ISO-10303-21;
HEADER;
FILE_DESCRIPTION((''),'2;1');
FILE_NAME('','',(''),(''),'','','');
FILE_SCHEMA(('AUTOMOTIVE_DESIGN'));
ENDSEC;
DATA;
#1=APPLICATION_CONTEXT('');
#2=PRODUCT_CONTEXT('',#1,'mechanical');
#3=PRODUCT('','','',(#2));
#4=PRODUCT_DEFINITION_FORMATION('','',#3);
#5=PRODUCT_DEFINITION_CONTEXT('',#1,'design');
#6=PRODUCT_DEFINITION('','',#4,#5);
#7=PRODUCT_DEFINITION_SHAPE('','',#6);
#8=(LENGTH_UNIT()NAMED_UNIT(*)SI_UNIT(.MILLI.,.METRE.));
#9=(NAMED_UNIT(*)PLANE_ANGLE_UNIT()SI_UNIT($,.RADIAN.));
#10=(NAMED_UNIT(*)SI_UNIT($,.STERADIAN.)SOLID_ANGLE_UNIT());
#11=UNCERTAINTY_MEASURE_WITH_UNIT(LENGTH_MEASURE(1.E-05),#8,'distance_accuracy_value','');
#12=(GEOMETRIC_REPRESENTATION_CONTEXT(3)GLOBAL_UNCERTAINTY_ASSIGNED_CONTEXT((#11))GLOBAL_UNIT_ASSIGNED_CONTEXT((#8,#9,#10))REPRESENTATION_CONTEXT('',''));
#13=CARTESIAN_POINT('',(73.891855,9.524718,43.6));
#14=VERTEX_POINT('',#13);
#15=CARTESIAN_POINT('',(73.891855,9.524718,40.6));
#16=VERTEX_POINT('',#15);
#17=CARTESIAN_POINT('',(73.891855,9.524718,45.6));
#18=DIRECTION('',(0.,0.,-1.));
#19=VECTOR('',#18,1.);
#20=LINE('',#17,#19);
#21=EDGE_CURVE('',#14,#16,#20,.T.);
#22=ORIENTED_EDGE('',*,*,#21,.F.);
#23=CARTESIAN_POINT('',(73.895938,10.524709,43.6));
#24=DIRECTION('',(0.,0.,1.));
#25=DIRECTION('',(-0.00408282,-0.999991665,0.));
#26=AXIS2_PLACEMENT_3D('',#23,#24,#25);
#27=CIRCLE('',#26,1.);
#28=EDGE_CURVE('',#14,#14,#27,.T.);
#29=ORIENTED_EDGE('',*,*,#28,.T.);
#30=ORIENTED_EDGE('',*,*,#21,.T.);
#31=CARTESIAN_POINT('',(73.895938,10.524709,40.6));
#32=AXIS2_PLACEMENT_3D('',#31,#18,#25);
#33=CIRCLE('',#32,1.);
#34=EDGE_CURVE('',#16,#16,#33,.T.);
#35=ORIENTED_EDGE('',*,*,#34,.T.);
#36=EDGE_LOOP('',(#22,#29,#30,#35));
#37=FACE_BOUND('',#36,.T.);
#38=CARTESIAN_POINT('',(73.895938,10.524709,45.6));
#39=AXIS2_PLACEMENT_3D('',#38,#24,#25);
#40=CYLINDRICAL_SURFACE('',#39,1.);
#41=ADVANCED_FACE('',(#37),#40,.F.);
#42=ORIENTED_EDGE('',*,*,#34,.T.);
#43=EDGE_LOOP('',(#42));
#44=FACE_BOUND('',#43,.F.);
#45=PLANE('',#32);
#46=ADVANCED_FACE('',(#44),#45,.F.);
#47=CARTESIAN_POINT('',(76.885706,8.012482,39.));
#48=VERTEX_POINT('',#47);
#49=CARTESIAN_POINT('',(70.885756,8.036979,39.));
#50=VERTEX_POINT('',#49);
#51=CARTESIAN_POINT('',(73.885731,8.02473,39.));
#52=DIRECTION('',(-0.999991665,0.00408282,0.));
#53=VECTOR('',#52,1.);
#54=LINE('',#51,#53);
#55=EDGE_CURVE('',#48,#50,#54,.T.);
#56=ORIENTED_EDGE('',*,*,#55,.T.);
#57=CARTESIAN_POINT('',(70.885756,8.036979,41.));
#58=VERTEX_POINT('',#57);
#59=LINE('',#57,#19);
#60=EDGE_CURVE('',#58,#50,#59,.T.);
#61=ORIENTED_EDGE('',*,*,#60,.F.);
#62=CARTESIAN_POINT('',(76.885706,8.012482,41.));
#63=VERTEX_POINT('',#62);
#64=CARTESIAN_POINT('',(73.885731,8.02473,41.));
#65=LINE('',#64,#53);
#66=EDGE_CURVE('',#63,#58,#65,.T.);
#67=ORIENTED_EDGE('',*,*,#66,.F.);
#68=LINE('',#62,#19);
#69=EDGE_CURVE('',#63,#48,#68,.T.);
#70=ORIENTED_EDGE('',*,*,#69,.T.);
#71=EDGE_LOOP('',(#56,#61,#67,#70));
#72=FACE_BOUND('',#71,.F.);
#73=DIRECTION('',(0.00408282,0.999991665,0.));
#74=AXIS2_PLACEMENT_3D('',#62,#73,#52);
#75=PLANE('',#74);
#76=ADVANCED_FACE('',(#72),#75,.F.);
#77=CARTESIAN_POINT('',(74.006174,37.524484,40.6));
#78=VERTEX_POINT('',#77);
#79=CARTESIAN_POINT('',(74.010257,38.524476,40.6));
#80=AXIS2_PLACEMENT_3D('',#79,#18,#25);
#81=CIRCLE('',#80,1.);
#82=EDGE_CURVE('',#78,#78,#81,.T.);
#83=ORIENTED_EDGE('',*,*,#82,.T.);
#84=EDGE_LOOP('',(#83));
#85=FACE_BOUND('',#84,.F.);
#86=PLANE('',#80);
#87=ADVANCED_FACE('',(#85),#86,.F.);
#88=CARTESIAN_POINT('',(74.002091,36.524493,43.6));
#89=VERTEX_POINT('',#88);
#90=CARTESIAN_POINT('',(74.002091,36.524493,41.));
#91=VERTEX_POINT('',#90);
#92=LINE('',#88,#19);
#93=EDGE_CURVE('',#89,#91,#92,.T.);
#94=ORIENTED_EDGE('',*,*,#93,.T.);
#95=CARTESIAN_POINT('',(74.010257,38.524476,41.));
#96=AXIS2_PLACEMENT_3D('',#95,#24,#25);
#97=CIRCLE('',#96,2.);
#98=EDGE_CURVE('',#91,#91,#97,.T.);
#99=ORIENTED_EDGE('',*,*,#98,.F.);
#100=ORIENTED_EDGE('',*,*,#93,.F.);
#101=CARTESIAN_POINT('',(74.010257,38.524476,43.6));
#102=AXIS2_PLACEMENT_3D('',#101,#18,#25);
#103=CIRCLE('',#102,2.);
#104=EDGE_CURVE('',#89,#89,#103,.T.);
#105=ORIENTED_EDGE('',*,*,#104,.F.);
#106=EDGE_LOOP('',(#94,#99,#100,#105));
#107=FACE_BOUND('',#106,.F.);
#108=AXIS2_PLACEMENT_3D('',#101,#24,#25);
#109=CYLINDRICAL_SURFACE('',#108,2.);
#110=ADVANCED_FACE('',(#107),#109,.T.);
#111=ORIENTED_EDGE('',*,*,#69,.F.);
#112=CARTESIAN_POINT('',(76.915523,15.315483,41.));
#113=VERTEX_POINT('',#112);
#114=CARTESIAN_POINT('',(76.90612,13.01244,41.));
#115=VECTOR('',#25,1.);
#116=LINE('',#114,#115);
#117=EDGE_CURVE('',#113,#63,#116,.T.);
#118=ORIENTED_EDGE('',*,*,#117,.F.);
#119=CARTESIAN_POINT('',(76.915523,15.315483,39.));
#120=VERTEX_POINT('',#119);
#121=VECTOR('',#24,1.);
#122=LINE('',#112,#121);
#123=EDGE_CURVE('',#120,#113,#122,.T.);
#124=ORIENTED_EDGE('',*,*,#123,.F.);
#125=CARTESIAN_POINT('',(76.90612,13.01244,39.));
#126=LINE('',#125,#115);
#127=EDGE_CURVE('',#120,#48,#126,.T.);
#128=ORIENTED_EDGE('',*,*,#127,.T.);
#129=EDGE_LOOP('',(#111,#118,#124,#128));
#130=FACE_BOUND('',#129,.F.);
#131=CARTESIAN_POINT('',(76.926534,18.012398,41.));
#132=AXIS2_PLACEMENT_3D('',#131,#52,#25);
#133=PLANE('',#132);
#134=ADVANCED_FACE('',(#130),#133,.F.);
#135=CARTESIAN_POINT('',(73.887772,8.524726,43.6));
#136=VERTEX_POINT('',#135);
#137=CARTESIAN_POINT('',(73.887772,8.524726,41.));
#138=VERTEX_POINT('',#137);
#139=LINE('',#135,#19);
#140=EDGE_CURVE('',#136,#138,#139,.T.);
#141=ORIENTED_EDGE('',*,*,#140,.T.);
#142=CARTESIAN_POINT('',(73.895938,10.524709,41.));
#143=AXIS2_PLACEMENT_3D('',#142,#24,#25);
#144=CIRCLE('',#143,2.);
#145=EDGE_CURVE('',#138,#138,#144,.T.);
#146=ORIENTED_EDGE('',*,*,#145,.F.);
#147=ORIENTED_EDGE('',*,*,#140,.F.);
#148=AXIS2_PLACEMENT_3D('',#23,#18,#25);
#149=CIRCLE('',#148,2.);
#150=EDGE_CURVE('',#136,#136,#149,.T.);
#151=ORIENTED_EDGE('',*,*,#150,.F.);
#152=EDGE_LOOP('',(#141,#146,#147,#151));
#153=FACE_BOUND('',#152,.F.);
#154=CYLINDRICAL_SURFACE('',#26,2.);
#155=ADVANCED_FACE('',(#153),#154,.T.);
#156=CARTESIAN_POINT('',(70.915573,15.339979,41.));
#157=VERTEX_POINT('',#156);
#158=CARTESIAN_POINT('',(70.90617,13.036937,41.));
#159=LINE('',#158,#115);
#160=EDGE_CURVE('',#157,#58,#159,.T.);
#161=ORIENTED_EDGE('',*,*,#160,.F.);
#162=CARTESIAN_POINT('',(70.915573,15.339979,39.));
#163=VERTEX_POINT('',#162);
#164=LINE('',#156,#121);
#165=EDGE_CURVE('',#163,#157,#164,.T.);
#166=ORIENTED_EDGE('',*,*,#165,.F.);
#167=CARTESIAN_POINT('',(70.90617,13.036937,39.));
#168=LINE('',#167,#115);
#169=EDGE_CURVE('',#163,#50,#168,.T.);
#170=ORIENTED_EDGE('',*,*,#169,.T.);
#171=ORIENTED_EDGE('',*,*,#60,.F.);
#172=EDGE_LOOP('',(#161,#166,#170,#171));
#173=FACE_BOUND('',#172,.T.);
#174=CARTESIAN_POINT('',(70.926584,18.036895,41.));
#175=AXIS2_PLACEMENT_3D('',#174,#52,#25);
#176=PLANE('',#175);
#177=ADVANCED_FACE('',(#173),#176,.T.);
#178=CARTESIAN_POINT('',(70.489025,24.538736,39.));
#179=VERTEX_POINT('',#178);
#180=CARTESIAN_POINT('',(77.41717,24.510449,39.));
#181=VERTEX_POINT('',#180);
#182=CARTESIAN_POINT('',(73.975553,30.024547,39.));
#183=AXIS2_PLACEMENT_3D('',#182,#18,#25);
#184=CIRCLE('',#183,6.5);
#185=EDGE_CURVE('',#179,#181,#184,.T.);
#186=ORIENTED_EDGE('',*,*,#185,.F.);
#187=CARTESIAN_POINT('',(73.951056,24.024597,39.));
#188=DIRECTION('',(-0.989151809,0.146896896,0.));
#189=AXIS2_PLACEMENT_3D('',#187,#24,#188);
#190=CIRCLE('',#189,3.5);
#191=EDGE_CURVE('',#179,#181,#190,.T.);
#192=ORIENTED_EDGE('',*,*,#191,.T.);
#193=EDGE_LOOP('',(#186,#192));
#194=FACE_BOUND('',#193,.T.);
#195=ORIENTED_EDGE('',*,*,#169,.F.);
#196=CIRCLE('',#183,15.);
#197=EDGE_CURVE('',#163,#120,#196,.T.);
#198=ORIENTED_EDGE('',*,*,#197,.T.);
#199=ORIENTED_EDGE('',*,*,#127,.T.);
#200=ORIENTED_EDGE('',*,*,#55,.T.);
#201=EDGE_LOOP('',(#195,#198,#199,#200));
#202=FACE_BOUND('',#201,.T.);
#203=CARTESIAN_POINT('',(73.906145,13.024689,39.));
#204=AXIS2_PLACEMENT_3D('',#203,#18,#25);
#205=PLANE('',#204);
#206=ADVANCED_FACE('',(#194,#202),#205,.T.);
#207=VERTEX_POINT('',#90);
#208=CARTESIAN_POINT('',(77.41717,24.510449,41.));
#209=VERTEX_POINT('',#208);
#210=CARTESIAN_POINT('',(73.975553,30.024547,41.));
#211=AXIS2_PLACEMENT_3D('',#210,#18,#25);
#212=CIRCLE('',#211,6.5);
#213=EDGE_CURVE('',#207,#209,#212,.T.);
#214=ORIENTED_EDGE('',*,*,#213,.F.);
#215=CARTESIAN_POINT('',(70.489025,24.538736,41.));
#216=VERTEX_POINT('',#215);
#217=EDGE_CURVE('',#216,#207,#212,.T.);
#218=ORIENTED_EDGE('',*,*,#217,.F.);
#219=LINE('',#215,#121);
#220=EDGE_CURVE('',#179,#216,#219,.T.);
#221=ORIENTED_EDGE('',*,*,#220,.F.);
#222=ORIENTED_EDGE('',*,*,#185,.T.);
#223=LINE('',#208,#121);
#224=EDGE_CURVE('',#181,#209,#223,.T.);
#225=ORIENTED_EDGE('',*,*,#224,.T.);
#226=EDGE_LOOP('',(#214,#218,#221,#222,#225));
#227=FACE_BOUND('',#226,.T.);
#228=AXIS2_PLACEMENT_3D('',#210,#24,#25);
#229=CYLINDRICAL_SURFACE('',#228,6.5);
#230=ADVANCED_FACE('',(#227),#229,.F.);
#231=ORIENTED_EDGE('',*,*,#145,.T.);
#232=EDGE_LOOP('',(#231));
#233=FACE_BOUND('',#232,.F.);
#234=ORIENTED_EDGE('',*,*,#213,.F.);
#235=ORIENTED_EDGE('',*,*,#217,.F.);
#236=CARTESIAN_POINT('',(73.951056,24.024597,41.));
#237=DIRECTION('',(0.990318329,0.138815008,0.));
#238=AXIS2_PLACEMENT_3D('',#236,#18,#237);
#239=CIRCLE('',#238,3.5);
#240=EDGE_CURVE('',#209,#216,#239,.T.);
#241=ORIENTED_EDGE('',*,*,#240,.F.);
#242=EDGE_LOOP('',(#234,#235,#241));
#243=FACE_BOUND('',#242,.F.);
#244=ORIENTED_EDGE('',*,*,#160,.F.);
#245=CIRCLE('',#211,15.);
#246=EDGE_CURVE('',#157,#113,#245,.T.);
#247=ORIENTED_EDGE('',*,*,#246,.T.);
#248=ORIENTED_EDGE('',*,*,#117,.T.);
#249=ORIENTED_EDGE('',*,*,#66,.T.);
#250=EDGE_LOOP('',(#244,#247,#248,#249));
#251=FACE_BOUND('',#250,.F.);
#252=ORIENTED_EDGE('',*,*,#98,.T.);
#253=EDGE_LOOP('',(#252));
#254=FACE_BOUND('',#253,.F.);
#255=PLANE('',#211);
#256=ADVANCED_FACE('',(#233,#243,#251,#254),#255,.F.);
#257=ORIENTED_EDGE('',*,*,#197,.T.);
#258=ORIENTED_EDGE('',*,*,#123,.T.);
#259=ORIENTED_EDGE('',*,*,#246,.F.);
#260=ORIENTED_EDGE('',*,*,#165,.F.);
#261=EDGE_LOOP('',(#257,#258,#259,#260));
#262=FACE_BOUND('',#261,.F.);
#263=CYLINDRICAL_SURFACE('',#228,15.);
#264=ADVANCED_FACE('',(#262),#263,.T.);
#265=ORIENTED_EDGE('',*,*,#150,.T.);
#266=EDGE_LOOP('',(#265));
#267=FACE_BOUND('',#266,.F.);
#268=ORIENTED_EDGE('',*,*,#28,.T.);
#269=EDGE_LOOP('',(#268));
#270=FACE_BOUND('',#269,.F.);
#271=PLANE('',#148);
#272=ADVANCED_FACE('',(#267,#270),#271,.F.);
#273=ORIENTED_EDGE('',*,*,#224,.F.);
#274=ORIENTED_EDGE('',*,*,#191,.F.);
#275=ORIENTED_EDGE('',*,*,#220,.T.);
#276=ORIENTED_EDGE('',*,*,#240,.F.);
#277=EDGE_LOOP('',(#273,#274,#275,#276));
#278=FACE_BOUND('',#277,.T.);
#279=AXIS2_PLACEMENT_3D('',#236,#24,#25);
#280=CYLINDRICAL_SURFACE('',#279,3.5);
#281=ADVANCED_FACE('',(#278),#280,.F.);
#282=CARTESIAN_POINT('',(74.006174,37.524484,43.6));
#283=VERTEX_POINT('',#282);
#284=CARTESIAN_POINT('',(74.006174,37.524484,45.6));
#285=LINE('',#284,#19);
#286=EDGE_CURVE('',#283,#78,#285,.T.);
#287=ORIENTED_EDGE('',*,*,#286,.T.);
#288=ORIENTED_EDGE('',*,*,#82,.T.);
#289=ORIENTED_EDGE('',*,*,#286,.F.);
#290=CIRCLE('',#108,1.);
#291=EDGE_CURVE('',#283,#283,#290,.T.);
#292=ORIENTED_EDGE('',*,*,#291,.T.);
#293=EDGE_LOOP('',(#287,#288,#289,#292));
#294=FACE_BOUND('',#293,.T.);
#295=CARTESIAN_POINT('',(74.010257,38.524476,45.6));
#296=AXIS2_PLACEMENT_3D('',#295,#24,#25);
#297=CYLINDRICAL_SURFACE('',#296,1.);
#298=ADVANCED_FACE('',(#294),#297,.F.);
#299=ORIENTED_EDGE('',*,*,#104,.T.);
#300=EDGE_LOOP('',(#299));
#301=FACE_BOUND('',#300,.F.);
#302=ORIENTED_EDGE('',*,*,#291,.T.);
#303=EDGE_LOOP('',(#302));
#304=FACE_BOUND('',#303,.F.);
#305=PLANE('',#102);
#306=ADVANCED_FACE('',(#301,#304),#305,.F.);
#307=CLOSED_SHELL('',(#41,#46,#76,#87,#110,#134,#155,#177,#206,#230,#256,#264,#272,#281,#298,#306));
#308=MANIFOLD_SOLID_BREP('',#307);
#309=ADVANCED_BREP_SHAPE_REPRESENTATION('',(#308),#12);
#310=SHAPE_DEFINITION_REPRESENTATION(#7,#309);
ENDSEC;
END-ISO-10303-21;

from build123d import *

# Parameters (mm, degrees)
CYLINDER003001001005001001_R     = 3.5
CYLINDER003001001005001001_DEPTH = 2
CYLINDER003001001004002_R        = 1
CYLINDER003001001004002_DEPTH    = 5
CYLINDER003001001004001001_R     = 1
CYLINDER003001001004001001_DEPTH = 5
CYLINDER003001001005001_R        = 6.5
CYLINDER003001001005001_DEPTH    = 2
BOX002_W                         = 10
BOX002_H                         = 6
BOX002_DEPTH                     = 2
CYLINDER003001001004_R           = 2
CYLINDER003001001004_DEPTH       = 3
CYLINDER003001001004001_R        = 2
CYLINDER003001001004001_DEPTH    = 3
CYLINDER003001001005_R           = 15
CYLINDER003001001005_DEPTH       = 2
CUT002_ROLL_ANGLE                = 180
CUT002_PLACEMENT_ANGLE           = -90.233929


with BuildPart() as cylinder013:
    # Cylinder003001001005001001 → Cylinder003001001005001001 (new body)
    with BuildSketch(Plane(origin=(12, 6, 21), x_dir=(1, 0, 0), z_dir=(0, 0, 1))):
        Circle(CYLINDER003001001005001001_R)
    extrude(amount=CYLINDER003001001005001001_DEPTH)


with BuildPart() as cylinder014:
    # Cylinder003001001004002 → Cylinder003001001004002 (new body)
    with BuildSketch(Plane(origin=(-2.5, 6, 16.4), x_dir=(1, 0, 0), z_dir=(0, 0, 1))):
        Circle(CYLINDER003001001004002_R)
    extrude(amount=CYLINDER003001001004002_DEPTH)


with BuildPart() as cylinder015:
    # Cylinder003001001004001001 → Cylinder003001001004001001 (new body)
    with BuildSketch(Plane(origin=(25.5, 6, 16.4), x_dir=(1, 0, 0), z_dir=(0, 0, 1))):
        Circle(CYLINDER003001001004001001_R)
    extrude(amount=CYLINDER003001001004001001_DEPTH)


with BuildPart() as fusion009:
    # Cylinder003001001005001 → Cylinder003001001005001 (new body)
    with BuildSketch(Plane(origin=(6, 6, 21), x_dir=(1, 0, 0), z_dir=(0, 0, 1))):
        Circle(CYLINDER003001001005001_R)
    extrude(amount=CYLINDER003001001005001_DEPTH)

    # Fusion009: union Cylinder013, Cylinder014, Cylinder015
    add(cylinder013.part)
    add(cylinder014.part)
    add(cylinder015.part)


with BuildPart() as box002:
    # Box002 → Box002 (new body)
    with BuildSketch(Plane(origin=(18, 3, 21), x_dir=(1, 0, 0), z_dir=(0, 0, 1))):
        with Locations((5, 3)):
            Rectangle(BOX002_W, BOX002_H)
    extrude(amount=BOX002_DEPTH)


with BuildPart() as cylinder003001001004:
    # Cylinder003001001004 → Cylinder003001001004 (new body)
    with BuildSketch(Plane(origin=(-2.5, 6, 18.4), x_dir=(1, 0, 0), z_dir=(0, 0, 1))):
        Circle(CYLINDER003001001004_R)
    extrude(amount=CYLINDER003001001004_DEPTH)


with BuildPart() as cylinder010:
    # Cylinder003001001004001 → Cylinder003001001004001 (new body)
    with BuildSketch(Plane(origin=(25.5, 6, 18.4), x_dir=(1, 0, 0), z_dir=(0, 0, 1))):
        Circle(CYLINDER003001001004001_R)
    extrude(amount=CYLINDER003001001004001_DEPTH)


with BuildPart() as guide1:
    # Cylinder003001001005 → Cylinder003001001005 (new body)
    with BuildSketch(Plane(origin=(6, 6, 21), x_dir=(1, 0, 0), z_dir=(0, 0, 1))):
        Circle(CYLINDER003001001005_R)
    extrude(amount=CYLINDER003001001005_DEPTH)

    # Fusion008: union Box002, Cylinder003001001004, Cylinder010
    add(box002.part)
    add(cylinder003001001004.part)
    add(cylinder010.part)

    # Cut002: cut Fusion009
    add(fusion009.part, mode=Mode.SUBTRACT)


with BuildPart() as guide1_1:
    # Cut002 roll: moved
    add(guide1.part.rotate(Axis((0, 0, 0), (1, 0, 0)), CUT002_ROLL_ANGLE))


with BuildPart() as guide1_2:
    # Cut002 placement: moved
    add(guide1_1.part.moved(Location((80, 36, 62))).rotate(Axis((80, 36, 62), (0, 0, 1)), CUT002_PLACEMENT_ANGLE))


solid = guide1_2.part
